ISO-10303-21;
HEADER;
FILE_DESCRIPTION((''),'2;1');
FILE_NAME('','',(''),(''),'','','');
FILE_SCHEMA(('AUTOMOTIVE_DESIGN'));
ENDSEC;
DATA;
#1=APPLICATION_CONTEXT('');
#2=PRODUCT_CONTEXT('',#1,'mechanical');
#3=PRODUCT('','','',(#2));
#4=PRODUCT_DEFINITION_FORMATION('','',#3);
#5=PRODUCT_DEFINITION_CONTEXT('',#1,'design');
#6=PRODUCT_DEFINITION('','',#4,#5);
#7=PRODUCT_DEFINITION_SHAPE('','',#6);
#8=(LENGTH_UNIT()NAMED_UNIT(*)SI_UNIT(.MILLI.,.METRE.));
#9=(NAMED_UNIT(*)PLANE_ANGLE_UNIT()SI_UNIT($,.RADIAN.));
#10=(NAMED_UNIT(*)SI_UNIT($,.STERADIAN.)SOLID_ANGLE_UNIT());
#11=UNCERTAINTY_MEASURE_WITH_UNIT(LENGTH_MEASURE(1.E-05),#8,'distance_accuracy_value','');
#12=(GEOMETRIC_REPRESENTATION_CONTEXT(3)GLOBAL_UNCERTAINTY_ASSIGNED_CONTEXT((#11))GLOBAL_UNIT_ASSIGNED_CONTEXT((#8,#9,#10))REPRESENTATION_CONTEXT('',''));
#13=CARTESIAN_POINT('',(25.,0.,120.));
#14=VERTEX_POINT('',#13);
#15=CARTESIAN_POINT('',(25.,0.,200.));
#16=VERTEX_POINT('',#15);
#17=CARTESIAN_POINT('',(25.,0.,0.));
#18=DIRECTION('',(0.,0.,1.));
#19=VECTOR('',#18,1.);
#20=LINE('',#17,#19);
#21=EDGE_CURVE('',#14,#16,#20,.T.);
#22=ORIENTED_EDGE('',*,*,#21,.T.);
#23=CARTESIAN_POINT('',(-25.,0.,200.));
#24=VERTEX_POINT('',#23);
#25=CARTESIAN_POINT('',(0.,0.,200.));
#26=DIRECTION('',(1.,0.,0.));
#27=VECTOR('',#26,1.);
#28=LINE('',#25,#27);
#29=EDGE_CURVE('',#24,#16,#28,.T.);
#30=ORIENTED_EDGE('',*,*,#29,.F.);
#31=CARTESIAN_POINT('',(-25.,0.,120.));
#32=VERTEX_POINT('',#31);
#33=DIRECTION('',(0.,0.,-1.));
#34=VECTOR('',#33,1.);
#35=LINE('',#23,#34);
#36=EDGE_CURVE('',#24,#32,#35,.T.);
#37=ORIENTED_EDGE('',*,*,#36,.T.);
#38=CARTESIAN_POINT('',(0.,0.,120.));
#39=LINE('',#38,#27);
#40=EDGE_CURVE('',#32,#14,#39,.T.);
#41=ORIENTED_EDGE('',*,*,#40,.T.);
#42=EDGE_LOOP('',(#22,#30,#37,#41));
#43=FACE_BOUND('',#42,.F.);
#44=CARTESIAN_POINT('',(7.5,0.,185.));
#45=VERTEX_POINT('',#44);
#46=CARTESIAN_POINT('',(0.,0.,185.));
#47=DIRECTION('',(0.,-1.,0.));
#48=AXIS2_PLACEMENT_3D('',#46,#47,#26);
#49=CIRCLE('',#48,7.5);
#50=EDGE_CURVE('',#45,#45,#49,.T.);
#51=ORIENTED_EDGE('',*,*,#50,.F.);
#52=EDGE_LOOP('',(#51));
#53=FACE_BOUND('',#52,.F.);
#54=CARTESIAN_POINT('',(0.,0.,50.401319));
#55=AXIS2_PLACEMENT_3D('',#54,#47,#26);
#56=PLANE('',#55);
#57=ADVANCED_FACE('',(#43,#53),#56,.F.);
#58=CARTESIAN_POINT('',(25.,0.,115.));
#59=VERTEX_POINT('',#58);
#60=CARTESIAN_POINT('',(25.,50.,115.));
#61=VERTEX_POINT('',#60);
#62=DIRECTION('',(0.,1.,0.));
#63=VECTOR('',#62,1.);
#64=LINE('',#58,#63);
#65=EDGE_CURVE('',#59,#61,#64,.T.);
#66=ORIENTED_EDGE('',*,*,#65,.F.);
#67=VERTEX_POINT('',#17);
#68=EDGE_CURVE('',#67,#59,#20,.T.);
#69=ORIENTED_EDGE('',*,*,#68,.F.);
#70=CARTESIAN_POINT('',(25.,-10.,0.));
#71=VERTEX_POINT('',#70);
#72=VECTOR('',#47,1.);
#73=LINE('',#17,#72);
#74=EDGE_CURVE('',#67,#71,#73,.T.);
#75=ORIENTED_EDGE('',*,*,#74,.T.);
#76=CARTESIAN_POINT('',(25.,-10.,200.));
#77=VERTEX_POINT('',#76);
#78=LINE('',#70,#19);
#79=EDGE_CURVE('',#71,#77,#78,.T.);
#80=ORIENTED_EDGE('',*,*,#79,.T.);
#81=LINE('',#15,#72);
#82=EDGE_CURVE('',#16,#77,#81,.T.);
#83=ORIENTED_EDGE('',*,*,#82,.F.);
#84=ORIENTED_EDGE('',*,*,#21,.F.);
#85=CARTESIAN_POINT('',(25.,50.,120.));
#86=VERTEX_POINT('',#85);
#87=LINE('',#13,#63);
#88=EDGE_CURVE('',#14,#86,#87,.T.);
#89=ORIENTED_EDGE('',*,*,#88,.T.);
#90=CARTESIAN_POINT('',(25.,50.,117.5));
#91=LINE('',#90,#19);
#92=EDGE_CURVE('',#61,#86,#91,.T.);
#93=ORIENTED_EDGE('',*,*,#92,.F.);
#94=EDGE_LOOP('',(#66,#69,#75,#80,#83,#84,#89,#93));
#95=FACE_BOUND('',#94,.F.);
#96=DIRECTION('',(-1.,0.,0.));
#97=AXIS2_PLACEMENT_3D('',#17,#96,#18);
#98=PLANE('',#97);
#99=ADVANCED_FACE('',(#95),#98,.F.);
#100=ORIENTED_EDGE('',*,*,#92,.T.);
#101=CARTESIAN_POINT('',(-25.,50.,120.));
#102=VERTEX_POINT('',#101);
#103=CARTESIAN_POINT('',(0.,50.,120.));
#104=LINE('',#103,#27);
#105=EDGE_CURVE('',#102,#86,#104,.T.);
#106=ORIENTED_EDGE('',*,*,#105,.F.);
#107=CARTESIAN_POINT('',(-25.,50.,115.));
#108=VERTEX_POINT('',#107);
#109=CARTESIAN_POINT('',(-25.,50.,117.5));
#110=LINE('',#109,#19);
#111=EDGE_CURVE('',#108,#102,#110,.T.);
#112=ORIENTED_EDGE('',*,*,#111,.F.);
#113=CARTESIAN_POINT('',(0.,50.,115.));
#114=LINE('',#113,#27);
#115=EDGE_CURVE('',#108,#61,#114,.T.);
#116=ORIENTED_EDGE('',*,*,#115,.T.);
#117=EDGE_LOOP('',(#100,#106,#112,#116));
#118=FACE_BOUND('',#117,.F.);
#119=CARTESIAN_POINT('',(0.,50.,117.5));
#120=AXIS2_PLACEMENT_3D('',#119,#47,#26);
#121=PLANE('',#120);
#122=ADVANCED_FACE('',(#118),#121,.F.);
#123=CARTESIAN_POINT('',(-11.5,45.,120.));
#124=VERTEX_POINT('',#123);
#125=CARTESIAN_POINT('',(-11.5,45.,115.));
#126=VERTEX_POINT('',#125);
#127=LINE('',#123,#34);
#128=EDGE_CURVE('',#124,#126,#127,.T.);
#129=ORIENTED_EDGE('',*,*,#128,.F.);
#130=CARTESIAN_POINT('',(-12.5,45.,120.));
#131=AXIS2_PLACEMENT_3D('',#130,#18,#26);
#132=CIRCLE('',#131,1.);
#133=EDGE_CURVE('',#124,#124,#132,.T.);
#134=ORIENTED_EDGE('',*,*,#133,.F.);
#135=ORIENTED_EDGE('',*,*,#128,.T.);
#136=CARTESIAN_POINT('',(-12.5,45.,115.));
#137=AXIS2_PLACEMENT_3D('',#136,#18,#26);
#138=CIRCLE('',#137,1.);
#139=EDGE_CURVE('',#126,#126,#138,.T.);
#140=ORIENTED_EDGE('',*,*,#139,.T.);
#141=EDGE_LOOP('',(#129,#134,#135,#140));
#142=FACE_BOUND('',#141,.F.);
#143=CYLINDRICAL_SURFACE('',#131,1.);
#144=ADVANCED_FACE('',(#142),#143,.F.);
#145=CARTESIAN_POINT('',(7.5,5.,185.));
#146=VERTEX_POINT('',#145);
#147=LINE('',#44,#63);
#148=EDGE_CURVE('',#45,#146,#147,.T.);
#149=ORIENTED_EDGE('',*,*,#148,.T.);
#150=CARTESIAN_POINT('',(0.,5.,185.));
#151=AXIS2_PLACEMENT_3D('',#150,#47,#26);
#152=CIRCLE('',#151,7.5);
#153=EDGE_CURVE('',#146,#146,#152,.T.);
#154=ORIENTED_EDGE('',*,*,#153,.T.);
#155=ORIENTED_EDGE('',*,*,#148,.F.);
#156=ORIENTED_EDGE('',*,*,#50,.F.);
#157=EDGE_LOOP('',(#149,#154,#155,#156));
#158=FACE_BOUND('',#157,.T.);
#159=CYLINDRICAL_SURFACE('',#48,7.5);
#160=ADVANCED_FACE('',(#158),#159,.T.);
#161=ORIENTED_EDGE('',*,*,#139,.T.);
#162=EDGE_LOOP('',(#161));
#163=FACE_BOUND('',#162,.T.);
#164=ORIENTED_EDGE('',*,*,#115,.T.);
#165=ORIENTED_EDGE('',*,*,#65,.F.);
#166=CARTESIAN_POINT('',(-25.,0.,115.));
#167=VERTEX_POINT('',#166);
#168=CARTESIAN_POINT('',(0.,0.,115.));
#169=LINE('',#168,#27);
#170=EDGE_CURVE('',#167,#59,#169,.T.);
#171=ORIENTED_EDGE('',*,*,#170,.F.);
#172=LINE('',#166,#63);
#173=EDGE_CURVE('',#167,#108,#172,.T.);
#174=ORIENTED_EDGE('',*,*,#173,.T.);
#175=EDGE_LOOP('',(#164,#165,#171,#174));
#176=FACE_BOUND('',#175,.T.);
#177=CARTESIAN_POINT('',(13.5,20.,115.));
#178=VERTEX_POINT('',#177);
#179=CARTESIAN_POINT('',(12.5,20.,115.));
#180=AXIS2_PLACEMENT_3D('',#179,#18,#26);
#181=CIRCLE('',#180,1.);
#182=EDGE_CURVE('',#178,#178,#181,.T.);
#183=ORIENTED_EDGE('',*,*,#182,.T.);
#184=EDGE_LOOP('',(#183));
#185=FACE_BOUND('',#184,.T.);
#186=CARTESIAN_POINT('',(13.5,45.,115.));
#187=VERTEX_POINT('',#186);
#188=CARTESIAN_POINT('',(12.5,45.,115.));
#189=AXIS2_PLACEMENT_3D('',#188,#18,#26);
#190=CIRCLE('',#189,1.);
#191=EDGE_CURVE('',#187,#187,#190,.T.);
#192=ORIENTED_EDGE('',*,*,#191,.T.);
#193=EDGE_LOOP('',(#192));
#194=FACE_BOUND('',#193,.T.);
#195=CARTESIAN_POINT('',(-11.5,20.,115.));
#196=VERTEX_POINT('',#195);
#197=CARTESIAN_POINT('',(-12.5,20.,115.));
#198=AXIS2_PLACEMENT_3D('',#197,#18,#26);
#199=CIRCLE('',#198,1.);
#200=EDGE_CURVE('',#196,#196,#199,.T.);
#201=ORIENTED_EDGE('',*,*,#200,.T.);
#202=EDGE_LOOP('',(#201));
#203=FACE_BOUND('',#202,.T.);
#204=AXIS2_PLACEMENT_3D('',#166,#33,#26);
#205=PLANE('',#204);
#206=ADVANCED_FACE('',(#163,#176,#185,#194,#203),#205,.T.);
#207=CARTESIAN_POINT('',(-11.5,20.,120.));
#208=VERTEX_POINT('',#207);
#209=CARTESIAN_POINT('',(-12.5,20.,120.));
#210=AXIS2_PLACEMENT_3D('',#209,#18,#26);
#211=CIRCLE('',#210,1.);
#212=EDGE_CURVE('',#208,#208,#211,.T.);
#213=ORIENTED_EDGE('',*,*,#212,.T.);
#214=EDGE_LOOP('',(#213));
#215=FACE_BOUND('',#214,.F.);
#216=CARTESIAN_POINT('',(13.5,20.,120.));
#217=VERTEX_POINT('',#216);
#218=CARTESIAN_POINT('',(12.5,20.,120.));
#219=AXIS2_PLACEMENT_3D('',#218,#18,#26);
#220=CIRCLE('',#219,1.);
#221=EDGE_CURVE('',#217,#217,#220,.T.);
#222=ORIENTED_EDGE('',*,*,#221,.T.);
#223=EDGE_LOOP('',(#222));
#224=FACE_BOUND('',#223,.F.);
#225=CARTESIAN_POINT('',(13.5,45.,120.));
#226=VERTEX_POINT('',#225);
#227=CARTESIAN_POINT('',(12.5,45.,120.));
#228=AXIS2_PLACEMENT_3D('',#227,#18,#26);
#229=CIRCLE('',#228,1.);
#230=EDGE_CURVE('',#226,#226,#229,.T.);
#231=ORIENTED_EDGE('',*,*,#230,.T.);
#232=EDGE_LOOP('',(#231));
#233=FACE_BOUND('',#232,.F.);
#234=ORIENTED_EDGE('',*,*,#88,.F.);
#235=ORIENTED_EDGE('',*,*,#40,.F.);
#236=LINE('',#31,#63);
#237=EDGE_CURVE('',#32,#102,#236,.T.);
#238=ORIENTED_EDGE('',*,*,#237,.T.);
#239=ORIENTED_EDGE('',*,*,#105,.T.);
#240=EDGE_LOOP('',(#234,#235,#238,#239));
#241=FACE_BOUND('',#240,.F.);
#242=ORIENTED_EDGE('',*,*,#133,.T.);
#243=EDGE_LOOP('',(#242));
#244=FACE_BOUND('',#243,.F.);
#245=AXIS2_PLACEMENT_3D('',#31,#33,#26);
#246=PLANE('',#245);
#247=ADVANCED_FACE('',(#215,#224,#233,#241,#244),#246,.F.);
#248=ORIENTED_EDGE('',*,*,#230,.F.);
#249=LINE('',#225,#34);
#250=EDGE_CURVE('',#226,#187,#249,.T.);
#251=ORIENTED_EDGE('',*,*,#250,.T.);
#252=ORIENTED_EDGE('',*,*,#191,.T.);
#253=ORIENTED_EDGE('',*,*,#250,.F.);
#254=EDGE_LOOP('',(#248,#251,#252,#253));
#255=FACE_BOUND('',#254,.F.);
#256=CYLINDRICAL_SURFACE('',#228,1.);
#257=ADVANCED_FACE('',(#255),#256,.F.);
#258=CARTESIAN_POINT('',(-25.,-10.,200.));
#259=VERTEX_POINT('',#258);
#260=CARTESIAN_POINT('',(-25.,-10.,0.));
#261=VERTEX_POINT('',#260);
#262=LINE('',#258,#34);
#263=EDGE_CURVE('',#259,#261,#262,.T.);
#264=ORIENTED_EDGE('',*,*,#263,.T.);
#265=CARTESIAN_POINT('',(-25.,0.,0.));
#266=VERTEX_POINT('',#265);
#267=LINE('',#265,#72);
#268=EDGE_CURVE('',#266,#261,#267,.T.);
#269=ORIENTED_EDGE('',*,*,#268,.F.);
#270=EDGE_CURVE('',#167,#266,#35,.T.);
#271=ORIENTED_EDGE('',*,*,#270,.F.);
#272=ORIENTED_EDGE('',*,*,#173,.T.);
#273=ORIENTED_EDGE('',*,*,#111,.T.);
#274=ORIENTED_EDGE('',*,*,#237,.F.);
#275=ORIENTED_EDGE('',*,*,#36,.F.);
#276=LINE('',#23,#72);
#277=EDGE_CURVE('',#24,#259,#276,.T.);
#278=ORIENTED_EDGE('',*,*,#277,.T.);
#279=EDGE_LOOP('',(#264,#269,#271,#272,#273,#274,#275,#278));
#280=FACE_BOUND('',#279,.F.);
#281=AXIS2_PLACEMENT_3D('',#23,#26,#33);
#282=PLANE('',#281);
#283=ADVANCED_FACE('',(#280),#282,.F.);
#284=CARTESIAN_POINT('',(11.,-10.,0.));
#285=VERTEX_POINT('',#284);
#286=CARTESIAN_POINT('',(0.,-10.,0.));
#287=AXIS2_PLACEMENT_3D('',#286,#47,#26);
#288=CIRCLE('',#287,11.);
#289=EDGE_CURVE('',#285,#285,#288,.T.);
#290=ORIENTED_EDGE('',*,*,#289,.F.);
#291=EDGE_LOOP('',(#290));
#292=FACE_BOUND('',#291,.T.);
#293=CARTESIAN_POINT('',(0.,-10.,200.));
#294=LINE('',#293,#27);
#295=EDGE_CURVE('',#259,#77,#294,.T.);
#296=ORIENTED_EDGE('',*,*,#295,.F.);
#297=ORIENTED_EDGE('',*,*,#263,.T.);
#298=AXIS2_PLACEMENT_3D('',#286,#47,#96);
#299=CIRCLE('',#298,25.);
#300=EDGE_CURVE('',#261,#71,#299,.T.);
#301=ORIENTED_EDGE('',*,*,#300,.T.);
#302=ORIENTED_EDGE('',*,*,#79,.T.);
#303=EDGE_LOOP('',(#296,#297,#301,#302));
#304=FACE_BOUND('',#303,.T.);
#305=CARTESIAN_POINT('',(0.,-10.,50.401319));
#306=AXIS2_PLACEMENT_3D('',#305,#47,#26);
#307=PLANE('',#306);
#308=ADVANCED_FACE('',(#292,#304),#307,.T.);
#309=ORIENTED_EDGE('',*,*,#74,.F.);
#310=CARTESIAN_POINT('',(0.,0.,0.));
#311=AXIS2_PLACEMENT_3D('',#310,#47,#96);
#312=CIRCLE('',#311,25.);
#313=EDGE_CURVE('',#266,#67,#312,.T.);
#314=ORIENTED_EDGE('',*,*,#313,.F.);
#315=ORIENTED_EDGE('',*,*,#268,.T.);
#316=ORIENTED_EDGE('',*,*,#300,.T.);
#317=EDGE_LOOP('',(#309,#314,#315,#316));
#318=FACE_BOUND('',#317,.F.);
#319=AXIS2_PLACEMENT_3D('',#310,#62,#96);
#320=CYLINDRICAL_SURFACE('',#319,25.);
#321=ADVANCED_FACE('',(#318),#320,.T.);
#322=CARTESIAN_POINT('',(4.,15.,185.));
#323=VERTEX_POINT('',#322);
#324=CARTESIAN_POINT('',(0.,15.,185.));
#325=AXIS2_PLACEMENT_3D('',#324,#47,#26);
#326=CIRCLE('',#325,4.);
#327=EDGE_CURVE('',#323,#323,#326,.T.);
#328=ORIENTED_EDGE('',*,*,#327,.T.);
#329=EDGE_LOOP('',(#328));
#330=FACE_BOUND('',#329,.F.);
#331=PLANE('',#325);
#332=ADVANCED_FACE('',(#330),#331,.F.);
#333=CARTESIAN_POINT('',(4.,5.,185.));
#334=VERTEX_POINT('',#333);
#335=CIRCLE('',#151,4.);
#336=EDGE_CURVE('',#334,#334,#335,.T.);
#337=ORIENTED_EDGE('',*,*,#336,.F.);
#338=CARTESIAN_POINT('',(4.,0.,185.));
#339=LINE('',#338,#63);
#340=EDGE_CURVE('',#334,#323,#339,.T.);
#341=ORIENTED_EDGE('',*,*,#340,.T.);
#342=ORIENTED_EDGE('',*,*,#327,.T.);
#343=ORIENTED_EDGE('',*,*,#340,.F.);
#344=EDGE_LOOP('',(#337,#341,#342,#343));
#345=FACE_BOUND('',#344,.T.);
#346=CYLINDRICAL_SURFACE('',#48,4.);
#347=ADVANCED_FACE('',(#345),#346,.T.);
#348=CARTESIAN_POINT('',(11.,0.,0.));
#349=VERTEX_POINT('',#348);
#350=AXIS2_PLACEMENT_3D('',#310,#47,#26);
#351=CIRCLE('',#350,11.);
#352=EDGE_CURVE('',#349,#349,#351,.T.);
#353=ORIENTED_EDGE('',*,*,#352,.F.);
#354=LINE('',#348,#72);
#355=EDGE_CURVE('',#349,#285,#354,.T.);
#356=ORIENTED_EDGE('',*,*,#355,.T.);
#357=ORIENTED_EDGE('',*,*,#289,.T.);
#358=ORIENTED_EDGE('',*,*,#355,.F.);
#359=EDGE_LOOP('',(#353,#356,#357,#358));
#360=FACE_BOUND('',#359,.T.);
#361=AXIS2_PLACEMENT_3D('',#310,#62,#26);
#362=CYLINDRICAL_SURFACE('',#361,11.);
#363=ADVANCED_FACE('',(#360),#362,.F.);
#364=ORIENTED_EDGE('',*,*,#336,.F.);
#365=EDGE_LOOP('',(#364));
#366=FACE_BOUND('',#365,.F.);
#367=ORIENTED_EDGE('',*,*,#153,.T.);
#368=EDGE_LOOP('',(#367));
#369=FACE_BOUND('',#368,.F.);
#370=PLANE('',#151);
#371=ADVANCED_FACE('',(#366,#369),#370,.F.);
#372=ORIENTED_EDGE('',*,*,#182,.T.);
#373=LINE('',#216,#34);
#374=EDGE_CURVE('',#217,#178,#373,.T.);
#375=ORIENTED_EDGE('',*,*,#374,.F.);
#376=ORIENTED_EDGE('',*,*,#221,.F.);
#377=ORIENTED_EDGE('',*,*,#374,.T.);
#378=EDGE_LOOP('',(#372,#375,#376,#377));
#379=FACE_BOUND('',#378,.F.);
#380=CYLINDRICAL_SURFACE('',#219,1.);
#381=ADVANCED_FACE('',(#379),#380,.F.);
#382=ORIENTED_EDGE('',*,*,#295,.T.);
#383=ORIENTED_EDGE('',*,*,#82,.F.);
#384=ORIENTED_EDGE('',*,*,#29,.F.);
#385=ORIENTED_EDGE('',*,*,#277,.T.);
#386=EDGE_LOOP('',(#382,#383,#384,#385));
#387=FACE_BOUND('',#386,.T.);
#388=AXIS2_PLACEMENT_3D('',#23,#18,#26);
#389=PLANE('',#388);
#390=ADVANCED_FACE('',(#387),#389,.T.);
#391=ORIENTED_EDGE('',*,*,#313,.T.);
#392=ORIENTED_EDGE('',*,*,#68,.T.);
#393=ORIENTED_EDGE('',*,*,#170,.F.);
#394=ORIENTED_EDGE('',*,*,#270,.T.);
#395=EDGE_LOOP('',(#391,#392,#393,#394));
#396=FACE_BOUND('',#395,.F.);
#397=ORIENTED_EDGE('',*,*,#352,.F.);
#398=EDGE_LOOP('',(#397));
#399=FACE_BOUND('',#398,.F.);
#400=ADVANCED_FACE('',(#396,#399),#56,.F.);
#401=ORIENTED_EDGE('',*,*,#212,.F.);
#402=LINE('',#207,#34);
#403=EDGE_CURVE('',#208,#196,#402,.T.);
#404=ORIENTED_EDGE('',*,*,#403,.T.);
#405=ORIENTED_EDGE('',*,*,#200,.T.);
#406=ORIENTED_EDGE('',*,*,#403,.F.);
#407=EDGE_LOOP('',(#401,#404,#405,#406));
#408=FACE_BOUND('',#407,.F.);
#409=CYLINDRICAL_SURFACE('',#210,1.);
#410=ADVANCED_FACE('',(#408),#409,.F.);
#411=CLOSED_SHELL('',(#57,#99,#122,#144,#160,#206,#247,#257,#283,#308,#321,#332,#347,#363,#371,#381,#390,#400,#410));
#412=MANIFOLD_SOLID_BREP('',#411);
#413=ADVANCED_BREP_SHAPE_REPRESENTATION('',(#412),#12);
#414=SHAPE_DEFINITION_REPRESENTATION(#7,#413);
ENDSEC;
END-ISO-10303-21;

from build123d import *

# Parameters (mm, degrees)
F0_R     = 11
F0_W     = 50
F0_H     = 5
F0_H_2   = 80
F0_R_2   = 7.5
F0_R_3   = 4
F1_DEPTH = 10
F2_DEPTH = 50
F3_R     = 1
F4_DEPTH = 25
F5_DEPTH = 5
F6_DEPTH = 15


with BuildPart() as f1:
    # F0 (on Front) → F1 (new body)
    with BuildSketch(Plane.XZ):
        with BuildLine():
            Line((-25, 115), (-25, 0))
            ThreePointArc((-25, 0), (0, -25), (25, 0))
            Line((25, 0), (25, 115))
            Line((25, 115), (-25, 115))
        make_face()
        Circle(F0_R, mode=Mode.SUBTRACT)
        with Locations((0, 117.5)):
            Rectangle(F0_W, F0_H)
        with Locations((0, 160)):
            Rectangle(F0_W, F0_H_2)
        with Locations((0, 185)):
            Circle(F0_R_2, mode=Mode.SUBTRACT)
        with Locations((0, 185)):
            Circle(F0_R_2)
        with Locations((0, 185)):
            Circle(F0_R_3, mode=Mode.SUBTRACT)
        with Locations((0, 185)):
            Circle(F0_R_3)
    extrude(amount=F1_DEPTH)

    # F0 (on Front) → F2 (join)
    with BuildSketch(Plane.XZ):
        with Locations((0, 117.5)):
            Rectangle(F0_W, F0_H)
    extrude(amount=-F2_DEPTH)

    # F3 (on face) → F4 (cut)
    with BuildSketch(Plane.XY.offset(120)):
        with Locations((-12.5, 20)):
            Circle(F3_R)
        with Locations((-12.5, 45)):
            Circle(F3_R)
        with Locations((12.5, 45)):
            Circle(F3_R)
        with Locations((12.5, 20)):
            Circle(F3_R)
    extrude(amount=-F4_DEPTH, mode=Mode.SUBTRACT)

    # F0 (on Front) → F5 (join)
    with BuildSketch(Plane.XZ):
        with Locations((0, 185)):
            Circle(F0_R_2)
        with Locations((0, 185)):
            Circle(F0_R_3, mode=Mode.SUBTRACT)
    extrude(amount=-F5_DEPTH)

    # F0 (on Front) → F6 (join)
    with BuildSketch(Plane.XZ):
        with Locations((0, 185)):
            Circle(F0_R_3)
    extrude(amount=-F6_DEPTH)


solid = f1.part
